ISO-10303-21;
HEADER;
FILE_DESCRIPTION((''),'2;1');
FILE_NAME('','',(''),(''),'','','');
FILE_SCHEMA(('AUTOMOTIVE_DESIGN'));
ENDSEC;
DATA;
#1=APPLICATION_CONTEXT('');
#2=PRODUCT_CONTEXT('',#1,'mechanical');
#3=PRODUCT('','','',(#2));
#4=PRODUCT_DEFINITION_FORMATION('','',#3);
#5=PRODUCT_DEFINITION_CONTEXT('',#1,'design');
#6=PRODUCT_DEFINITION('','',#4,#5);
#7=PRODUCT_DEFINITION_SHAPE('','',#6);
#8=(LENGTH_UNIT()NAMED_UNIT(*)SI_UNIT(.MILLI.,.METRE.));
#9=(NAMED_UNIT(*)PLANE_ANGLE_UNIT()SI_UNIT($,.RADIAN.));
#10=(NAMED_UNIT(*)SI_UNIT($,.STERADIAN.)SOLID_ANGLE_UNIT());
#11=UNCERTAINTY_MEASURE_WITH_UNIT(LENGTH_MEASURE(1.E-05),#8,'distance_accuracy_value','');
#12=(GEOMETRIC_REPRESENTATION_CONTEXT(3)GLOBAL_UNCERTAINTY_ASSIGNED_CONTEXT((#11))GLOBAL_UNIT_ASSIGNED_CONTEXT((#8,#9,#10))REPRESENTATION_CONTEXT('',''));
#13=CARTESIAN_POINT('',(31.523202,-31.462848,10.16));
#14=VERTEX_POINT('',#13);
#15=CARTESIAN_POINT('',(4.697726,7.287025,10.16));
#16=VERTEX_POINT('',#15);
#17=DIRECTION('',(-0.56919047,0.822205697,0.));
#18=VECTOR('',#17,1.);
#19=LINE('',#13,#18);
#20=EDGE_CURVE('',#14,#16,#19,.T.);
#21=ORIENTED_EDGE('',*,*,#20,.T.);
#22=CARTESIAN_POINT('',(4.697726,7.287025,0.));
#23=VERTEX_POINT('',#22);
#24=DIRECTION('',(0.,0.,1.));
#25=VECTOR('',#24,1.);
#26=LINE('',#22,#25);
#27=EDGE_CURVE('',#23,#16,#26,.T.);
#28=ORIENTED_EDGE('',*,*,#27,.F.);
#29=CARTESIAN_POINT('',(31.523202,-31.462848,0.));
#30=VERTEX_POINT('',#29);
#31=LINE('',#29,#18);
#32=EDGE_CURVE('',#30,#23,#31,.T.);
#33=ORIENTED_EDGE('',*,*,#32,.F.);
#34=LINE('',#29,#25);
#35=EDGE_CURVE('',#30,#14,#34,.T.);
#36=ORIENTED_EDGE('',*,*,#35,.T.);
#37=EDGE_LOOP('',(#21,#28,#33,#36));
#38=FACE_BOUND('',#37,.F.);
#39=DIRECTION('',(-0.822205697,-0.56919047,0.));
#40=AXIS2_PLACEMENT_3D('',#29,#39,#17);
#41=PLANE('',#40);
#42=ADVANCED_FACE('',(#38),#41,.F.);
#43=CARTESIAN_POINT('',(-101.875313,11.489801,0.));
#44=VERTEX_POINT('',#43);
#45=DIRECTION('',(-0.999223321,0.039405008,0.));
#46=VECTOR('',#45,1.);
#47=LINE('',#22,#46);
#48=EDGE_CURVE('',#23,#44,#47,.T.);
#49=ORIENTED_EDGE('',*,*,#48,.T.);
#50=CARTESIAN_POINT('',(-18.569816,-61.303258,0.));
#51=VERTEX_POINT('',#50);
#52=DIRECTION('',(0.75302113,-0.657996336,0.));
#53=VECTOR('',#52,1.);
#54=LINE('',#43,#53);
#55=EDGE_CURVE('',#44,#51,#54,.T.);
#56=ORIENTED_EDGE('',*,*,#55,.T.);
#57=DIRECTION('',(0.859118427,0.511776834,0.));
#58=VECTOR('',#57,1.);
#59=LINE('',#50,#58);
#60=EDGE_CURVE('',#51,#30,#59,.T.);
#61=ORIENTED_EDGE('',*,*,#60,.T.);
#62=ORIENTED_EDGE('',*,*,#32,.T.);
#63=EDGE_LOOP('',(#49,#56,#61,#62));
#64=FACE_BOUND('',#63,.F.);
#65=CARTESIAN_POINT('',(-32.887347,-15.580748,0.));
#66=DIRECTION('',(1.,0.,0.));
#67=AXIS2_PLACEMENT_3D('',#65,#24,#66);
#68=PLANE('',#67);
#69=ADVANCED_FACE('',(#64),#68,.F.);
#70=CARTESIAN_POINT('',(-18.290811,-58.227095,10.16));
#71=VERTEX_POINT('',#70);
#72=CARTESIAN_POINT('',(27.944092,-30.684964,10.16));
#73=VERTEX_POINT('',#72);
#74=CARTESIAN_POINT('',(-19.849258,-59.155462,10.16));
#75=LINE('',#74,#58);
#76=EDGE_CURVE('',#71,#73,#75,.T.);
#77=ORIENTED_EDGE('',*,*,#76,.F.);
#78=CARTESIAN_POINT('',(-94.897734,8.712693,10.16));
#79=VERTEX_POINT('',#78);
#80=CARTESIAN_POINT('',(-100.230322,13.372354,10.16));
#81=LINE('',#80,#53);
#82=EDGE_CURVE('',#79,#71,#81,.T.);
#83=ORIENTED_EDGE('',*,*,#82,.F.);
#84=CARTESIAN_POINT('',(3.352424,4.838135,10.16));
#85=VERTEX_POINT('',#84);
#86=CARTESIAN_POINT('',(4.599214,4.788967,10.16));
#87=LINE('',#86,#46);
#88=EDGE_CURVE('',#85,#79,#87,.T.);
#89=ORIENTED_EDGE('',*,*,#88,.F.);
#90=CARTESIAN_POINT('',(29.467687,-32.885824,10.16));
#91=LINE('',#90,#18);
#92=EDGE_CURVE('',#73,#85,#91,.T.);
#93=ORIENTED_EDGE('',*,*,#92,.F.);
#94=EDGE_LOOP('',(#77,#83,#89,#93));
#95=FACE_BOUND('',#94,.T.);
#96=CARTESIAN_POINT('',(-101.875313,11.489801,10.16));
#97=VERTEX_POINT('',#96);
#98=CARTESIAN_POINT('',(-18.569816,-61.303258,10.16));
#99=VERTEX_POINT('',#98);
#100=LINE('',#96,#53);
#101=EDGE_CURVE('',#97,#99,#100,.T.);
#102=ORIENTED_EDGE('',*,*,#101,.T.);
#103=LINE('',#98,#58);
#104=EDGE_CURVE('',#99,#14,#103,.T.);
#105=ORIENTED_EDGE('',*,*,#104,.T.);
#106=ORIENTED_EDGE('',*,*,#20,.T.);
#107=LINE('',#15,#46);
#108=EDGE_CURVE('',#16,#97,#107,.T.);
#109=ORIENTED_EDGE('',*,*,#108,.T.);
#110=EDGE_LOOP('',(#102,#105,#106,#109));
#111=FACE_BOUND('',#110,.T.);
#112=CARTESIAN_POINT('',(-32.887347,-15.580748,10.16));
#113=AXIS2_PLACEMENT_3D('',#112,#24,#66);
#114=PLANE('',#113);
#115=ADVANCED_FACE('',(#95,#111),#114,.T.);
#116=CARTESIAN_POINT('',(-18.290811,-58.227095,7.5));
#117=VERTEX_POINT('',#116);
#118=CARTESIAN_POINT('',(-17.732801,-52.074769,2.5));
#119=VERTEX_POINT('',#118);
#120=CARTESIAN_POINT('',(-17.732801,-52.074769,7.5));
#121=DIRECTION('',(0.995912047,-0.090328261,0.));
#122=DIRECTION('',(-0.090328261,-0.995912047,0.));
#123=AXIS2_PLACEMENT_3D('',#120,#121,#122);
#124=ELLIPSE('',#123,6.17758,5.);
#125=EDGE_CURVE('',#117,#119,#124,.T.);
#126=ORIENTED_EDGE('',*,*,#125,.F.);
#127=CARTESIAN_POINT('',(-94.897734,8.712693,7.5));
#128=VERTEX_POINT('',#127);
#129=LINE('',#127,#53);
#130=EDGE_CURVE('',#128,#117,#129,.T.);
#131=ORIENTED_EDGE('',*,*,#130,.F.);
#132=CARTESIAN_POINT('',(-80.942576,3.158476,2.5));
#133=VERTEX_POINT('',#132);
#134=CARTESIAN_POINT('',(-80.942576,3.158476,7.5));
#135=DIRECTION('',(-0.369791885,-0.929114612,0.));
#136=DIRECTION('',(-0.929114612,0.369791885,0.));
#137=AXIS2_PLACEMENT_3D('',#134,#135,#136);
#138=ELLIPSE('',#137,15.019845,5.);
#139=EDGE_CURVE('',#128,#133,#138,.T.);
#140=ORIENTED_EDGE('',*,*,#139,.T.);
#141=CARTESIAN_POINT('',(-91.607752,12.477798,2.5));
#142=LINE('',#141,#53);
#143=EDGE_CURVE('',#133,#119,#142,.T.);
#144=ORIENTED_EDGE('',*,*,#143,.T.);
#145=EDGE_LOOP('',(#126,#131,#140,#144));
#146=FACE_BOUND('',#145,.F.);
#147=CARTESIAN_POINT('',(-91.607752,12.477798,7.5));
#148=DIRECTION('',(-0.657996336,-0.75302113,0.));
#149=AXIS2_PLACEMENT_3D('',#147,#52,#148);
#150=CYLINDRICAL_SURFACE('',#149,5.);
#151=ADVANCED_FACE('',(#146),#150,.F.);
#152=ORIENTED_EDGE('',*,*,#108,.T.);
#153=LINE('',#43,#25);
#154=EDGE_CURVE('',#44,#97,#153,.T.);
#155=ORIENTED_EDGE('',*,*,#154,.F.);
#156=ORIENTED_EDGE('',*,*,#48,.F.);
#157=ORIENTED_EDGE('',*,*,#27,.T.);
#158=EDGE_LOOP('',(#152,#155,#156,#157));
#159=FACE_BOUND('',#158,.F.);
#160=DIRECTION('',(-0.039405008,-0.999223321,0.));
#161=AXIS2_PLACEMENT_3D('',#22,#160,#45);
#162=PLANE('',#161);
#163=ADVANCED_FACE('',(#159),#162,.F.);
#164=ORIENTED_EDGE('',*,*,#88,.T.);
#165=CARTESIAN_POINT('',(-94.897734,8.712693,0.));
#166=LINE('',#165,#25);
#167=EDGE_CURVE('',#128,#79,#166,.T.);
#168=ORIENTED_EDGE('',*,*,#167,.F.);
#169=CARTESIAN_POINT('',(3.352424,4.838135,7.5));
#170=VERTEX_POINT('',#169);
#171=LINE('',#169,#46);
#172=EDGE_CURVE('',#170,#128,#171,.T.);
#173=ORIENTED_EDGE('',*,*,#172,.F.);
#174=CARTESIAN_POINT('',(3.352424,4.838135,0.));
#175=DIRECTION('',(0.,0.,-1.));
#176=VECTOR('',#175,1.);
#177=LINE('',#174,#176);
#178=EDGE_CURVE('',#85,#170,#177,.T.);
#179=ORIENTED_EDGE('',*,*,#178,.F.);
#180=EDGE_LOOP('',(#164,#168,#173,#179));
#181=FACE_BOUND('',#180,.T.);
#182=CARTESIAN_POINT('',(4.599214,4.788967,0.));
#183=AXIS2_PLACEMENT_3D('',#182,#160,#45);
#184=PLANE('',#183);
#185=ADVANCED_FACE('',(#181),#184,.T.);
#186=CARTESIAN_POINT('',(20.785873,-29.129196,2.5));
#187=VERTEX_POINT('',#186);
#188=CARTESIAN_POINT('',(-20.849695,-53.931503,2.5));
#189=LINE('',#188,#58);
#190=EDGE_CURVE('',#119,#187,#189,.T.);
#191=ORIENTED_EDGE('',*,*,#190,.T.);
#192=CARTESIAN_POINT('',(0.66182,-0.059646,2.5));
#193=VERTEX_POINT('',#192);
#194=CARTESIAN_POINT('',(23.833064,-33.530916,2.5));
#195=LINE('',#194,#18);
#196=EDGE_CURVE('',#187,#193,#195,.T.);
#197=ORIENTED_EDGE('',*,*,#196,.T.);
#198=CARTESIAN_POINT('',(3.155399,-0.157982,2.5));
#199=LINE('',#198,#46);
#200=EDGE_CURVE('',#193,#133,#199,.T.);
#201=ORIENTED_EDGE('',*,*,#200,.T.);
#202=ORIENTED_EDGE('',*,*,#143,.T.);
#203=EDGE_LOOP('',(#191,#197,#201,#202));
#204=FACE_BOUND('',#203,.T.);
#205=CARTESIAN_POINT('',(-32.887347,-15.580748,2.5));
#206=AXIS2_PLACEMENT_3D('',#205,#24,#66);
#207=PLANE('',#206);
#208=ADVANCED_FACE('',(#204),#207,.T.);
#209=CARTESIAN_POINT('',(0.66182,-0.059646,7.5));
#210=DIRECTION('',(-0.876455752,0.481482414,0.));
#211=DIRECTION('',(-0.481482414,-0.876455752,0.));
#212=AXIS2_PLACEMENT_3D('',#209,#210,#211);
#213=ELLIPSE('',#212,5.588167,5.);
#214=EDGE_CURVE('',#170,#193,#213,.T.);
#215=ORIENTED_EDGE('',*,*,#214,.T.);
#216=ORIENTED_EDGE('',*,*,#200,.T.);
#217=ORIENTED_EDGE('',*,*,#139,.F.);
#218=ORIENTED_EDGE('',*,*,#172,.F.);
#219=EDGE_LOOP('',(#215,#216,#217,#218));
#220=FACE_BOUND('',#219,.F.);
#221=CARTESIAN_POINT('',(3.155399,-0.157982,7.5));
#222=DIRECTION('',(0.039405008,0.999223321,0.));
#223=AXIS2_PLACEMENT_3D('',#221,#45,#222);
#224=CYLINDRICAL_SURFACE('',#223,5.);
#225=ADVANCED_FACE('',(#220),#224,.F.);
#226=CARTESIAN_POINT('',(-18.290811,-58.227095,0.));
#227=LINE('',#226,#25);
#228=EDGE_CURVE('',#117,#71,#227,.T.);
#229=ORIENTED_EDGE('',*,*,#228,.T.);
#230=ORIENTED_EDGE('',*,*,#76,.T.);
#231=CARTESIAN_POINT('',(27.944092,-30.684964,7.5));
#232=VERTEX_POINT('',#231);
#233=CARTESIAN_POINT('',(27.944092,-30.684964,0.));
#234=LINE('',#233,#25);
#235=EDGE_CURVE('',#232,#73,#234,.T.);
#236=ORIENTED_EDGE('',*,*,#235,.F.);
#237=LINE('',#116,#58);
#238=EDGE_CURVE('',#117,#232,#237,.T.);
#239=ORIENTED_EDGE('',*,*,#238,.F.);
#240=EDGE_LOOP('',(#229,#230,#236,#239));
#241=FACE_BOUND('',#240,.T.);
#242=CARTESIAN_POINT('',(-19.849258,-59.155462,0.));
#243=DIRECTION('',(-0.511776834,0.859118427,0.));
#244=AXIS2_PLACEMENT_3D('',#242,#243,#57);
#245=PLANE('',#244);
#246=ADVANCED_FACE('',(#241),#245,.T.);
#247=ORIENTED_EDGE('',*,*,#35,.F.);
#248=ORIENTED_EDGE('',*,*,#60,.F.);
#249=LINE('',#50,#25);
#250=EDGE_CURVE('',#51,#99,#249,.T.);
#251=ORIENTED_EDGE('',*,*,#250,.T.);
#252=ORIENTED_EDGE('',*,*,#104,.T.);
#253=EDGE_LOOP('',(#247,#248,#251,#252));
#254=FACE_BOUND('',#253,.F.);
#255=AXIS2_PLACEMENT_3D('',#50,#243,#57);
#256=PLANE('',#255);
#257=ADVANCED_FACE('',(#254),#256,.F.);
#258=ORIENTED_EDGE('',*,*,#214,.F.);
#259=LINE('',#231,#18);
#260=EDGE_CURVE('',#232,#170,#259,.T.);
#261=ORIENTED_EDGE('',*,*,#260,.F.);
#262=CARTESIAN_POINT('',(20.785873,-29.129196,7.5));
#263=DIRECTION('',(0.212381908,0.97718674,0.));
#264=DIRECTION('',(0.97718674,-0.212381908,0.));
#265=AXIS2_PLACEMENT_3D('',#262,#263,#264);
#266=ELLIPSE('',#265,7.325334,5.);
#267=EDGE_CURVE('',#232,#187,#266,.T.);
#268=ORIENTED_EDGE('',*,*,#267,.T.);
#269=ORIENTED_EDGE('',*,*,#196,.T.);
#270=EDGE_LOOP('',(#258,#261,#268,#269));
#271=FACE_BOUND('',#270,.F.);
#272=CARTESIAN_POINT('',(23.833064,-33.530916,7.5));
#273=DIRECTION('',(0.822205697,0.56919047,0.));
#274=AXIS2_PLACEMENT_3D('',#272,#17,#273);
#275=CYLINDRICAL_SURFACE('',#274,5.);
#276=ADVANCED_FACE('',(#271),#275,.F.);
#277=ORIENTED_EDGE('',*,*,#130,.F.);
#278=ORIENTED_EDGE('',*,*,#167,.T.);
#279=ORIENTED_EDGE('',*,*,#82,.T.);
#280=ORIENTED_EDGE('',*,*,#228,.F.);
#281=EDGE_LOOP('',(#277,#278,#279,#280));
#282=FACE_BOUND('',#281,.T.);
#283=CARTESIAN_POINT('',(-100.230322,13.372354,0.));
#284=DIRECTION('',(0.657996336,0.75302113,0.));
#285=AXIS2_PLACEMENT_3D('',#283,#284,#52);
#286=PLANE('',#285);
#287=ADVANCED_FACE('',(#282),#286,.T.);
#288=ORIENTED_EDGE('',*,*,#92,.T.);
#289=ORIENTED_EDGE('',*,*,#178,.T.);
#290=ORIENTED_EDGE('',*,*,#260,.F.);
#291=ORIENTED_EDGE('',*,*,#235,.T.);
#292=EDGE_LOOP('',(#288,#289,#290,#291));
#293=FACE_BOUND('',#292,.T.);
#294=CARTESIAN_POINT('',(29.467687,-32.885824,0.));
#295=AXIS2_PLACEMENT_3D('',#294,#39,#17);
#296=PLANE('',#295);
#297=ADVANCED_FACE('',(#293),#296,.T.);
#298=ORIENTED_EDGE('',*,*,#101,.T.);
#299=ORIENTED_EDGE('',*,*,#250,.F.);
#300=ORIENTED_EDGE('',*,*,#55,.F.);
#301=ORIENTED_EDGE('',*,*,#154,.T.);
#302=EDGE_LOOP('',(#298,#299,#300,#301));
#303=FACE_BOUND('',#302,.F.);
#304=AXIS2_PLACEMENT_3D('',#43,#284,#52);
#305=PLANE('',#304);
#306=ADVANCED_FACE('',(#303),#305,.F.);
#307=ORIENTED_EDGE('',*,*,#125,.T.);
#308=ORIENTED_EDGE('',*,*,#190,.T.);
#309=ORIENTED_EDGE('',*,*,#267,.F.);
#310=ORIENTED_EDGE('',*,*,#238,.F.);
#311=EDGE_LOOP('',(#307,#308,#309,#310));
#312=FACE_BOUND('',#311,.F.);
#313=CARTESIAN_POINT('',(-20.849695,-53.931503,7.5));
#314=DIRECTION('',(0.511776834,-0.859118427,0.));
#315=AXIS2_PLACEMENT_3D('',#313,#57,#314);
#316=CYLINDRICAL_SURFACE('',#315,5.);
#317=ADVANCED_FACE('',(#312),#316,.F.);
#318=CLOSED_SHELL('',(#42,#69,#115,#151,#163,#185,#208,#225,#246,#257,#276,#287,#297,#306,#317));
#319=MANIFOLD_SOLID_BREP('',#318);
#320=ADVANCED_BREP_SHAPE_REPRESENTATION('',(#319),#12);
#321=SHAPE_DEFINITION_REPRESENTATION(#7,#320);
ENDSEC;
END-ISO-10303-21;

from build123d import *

# Parameters (mm, degrees)
F1_DEPTH = 10.16
F2_T     = -2.5
F3_R     = 5


with BuildPart() as f1:
    # F0 (on Top) → F1 (new body)
    with BuildSketch(Plane.XY):
        Polygon((4.6977261081, 7.2870254517), (-101.8753126264, 11.4898011088), (-18.5698159039, -61.3032579422), (31.5232016146, -31.4628481865), align=None)
    extrude(amount=F1_DEPTH)

    # F2
    f2_openings = [f1.faces().sort_by_distance(p)[0] for p in [
        (-26.57097, -18.043029, 10.16),
    ]]
    offset(amount=F2_T, openings=f2_openings)

    # F3
    f3_edges = [f1.edges().sort_by_distance(p)[0] for p in [
        (-45.772655, 6.775414, 2.5),
        (-56.594272, -24.757201, 2.5),
        (4.826641, -44.456029, 2.5),
        (15.648258, -12.923414, 2.5),
    ]]
    fillet(f3_edges, radius=F3_R)


solid = f1.part
